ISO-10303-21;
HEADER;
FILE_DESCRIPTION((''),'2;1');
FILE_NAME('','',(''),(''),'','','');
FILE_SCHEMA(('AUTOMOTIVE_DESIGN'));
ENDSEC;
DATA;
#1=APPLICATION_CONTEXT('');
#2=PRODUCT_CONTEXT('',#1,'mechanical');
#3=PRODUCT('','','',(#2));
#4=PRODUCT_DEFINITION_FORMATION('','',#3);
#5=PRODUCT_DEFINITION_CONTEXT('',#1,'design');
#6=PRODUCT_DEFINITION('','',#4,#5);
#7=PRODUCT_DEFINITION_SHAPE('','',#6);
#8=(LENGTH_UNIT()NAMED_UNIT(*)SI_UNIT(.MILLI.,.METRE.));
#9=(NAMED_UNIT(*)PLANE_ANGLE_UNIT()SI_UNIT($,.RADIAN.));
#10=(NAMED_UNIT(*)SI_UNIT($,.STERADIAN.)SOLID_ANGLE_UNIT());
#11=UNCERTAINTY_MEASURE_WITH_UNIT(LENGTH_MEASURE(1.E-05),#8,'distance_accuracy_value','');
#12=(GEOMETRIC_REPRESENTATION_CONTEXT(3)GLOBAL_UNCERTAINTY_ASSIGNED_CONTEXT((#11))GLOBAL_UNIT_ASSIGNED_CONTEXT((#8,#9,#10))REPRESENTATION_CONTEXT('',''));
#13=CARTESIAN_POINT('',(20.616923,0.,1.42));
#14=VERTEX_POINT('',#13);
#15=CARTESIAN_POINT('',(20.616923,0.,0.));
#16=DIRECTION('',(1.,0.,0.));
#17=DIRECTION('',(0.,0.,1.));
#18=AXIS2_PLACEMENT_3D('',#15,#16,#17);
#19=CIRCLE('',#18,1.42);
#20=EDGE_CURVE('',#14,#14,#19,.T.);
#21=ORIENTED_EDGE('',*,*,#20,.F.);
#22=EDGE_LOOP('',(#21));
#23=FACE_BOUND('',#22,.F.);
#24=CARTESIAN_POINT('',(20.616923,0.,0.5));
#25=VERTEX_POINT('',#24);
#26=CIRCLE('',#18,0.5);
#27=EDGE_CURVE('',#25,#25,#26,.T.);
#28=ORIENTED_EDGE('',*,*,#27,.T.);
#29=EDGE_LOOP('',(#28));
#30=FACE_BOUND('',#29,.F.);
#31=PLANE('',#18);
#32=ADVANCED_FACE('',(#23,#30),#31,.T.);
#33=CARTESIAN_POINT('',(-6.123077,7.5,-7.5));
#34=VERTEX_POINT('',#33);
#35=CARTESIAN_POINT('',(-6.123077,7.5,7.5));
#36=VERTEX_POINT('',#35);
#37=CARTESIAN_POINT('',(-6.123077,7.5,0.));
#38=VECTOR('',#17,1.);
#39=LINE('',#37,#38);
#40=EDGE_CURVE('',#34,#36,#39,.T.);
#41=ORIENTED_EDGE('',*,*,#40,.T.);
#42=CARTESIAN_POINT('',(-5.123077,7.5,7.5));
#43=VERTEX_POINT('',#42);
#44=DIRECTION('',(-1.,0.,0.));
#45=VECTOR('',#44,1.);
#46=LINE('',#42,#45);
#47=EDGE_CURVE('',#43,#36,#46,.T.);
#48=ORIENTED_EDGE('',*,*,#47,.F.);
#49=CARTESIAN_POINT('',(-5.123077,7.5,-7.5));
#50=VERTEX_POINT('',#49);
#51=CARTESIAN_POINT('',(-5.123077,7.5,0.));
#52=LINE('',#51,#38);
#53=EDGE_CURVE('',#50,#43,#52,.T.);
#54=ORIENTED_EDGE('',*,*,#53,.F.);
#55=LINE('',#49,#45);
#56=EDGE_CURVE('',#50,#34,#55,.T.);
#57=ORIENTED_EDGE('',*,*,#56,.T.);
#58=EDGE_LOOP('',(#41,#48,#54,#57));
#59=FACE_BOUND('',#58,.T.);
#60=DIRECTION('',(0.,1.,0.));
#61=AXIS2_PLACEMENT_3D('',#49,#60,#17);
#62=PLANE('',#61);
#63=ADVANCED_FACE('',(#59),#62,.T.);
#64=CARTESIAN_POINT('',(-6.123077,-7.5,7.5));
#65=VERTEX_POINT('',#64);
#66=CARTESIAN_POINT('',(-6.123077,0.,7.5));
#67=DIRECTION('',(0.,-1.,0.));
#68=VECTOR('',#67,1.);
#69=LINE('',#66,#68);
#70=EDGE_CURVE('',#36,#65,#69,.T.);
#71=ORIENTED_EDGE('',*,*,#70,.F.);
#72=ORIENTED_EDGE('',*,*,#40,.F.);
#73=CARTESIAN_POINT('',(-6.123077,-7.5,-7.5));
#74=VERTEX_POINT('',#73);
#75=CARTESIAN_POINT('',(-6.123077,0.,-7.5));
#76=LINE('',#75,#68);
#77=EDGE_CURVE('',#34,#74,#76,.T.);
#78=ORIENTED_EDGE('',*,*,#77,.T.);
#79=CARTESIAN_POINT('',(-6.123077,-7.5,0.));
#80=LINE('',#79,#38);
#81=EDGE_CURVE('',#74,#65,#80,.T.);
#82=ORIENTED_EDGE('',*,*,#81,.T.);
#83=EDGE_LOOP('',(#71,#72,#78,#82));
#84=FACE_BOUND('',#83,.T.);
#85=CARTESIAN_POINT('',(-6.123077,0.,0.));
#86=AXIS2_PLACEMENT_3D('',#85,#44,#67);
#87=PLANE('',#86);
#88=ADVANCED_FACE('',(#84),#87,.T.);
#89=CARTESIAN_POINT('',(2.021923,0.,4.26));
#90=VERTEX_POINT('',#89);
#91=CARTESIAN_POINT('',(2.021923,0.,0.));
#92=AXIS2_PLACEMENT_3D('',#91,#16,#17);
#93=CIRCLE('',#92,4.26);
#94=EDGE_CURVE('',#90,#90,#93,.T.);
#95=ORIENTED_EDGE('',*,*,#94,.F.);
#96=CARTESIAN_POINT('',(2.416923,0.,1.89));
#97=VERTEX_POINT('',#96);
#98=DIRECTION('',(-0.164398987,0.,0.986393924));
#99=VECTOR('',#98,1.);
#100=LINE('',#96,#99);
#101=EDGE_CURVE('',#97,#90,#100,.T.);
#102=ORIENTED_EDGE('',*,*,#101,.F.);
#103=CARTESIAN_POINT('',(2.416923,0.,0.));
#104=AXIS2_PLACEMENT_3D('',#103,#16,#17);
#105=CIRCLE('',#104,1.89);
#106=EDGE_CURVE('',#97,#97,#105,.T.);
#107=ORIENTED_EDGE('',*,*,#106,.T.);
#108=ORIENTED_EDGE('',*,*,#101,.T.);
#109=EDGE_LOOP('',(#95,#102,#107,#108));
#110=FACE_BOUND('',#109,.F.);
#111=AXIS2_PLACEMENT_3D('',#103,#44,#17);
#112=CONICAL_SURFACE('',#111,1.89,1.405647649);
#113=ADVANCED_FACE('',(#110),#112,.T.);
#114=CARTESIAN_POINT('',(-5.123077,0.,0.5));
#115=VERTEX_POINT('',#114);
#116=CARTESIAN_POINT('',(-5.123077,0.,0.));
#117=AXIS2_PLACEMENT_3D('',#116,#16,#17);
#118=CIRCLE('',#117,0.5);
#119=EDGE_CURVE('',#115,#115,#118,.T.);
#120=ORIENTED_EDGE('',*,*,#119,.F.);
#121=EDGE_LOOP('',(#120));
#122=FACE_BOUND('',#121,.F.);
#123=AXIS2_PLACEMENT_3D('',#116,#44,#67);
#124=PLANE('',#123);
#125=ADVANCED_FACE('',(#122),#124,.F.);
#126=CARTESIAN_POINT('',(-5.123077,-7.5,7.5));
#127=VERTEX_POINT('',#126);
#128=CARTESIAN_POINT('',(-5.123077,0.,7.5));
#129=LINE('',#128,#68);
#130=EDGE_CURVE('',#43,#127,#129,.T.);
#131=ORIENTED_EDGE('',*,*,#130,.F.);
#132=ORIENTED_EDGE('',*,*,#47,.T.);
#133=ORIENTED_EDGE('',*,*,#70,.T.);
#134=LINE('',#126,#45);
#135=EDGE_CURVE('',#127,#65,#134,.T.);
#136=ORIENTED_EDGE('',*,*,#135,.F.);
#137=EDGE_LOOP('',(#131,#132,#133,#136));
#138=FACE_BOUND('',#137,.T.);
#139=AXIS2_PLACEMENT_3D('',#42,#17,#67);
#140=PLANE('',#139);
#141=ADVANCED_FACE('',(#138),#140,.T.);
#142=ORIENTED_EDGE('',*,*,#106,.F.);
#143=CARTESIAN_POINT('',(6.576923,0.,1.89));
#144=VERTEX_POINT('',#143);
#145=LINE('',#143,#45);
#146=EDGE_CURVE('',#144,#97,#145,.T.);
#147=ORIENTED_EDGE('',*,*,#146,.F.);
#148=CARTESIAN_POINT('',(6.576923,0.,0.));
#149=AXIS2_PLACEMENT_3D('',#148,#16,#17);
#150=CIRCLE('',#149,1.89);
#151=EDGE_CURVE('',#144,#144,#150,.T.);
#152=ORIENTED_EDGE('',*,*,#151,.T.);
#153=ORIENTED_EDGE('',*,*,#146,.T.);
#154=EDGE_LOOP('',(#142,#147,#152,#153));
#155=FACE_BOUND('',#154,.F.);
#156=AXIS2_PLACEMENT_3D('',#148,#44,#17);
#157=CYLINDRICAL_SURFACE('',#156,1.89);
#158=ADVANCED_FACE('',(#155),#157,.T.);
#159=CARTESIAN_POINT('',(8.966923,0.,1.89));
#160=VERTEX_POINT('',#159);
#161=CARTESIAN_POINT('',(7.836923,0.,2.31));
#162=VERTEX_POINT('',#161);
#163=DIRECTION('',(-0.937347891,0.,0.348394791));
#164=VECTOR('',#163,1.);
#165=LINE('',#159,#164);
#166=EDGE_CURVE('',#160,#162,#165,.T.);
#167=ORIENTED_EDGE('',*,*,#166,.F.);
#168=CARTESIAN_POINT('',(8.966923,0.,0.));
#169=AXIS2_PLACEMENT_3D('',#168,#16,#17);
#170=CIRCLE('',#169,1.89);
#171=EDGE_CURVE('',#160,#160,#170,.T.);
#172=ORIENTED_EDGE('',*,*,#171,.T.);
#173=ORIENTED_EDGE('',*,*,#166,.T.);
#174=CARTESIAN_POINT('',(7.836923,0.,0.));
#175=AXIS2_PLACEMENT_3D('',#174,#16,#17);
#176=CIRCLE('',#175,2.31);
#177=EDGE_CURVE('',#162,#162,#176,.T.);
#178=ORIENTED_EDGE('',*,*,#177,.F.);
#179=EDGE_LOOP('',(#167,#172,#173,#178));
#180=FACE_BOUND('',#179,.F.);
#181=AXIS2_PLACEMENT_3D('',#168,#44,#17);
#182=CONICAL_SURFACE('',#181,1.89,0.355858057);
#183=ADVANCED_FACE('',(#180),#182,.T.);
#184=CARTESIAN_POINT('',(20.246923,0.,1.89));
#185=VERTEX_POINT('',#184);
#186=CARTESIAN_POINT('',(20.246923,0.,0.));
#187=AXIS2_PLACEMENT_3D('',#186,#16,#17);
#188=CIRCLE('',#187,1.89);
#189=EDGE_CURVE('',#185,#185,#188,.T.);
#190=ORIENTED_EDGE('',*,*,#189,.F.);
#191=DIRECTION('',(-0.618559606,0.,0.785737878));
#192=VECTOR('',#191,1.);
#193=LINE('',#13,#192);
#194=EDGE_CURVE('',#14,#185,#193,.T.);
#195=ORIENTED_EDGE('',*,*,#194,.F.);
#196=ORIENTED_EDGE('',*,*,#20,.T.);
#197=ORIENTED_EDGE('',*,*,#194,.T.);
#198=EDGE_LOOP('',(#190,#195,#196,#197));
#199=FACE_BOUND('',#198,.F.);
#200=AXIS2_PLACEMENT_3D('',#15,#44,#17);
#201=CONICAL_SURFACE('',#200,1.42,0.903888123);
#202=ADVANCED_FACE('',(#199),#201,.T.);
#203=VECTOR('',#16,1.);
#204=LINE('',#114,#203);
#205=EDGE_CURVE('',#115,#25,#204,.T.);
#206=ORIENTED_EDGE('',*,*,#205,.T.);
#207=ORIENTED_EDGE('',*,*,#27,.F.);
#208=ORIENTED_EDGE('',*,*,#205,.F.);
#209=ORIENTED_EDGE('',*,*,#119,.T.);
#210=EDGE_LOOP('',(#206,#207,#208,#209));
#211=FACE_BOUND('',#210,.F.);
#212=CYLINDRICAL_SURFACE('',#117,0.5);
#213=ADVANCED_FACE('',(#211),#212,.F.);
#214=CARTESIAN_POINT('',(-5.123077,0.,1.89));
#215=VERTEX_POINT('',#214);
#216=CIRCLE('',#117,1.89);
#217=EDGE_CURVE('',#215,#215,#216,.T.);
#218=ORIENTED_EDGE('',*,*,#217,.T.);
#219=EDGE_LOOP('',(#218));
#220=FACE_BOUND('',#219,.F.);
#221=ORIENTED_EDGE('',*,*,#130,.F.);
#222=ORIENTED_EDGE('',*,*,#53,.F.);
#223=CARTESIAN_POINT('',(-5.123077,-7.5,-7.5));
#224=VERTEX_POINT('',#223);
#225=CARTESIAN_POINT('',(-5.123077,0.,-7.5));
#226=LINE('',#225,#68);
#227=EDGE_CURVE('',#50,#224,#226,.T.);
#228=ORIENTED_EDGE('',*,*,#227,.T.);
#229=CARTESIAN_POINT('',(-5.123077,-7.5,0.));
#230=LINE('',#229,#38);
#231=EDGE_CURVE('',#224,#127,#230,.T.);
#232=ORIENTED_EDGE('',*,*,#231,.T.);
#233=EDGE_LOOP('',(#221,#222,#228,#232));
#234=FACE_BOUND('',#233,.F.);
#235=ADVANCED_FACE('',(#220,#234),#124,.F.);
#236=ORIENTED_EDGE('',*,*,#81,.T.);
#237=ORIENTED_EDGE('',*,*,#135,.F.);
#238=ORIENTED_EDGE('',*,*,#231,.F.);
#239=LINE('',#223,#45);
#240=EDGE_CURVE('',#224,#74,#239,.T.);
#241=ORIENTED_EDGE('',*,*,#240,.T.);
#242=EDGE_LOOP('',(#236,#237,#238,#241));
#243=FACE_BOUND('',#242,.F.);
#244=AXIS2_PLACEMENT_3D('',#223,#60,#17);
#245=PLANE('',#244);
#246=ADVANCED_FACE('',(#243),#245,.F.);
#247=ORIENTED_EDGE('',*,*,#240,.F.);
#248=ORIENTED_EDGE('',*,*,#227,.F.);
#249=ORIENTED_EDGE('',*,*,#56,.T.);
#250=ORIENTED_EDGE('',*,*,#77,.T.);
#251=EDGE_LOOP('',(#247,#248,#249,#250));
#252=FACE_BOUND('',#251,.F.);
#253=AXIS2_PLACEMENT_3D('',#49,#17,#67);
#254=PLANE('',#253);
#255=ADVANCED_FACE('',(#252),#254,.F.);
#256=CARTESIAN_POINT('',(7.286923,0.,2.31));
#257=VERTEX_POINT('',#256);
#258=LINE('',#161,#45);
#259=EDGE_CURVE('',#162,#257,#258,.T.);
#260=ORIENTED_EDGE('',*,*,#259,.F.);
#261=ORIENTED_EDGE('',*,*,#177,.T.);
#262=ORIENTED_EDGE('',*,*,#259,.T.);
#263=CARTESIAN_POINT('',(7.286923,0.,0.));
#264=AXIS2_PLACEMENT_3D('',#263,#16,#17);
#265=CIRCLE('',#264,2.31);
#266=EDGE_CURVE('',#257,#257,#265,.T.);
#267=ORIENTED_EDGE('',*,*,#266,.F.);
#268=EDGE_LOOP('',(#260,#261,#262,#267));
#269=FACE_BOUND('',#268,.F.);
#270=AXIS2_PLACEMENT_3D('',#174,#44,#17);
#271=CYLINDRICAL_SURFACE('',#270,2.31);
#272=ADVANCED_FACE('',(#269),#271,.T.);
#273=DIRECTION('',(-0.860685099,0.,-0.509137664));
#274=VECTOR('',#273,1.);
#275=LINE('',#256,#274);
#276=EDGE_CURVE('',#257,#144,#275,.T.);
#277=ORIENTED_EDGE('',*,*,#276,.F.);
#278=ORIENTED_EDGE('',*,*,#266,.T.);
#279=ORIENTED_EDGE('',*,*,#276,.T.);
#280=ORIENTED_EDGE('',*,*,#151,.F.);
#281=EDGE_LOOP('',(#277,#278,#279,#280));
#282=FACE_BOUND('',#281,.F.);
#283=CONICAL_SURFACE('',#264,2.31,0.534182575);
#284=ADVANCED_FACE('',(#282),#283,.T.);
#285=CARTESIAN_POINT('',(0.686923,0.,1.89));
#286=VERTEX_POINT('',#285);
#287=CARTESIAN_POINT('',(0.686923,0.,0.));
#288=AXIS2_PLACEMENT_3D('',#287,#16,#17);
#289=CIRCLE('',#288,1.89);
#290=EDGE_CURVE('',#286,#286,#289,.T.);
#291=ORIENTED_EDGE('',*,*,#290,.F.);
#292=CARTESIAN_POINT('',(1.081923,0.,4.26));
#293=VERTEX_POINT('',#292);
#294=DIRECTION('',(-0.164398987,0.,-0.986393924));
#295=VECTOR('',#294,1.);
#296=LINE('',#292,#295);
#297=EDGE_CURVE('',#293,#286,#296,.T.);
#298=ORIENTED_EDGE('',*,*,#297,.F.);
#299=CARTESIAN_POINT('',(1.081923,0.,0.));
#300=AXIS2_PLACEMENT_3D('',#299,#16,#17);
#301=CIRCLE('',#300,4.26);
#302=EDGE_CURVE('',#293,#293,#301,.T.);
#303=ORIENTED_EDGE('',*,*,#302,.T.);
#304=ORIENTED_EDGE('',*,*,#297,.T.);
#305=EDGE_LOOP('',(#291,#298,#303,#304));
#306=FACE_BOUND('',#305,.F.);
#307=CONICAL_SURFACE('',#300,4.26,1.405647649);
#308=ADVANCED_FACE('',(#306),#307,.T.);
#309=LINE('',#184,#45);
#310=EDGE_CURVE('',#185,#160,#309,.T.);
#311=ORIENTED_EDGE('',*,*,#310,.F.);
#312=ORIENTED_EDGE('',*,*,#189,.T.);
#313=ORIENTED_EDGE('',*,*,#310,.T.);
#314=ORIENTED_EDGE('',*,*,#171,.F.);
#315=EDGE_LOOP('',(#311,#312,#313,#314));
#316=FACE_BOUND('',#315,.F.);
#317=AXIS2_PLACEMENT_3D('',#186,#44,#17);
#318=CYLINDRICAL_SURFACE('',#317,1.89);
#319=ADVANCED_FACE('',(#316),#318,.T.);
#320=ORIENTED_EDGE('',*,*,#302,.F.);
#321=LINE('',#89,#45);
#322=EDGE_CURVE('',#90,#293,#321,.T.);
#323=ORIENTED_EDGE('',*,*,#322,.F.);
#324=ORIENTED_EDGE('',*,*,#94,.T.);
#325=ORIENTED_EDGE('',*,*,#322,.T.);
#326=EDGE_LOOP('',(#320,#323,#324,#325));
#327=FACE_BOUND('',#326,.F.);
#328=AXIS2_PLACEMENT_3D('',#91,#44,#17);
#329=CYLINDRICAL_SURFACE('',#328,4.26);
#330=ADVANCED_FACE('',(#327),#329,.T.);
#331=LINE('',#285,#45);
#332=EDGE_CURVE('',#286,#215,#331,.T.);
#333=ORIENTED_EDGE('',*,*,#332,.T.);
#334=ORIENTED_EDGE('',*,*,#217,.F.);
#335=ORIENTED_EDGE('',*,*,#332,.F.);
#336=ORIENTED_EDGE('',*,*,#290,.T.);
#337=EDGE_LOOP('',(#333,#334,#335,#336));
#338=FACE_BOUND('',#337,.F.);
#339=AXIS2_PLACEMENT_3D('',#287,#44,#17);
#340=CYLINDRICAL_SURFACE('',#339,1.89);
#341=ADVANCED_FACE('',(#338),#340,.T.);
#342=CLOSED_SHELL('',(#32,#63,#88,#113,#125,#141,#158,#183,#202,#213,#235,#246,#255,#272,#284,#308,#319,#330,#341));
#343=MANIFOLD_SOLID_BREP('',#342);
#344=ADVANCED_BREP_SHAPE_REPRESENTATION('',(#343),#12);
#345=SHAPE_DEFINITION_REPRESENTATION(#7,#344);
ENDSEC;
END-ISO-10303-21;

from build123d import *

# Parameters (mm, degrees)
F2_W     = 15
F2_H     = 15
F3_DEPTH = 1


with BuildPart() as f1:
    # F0 (on Front) → F1 (revolve)
    with BuildSketch(Plane.XZ):
        Polygon((-5.123077, 1.89), (-5.123077, 0.5), (20.616923, 0.5), (20.616923, 1.42), (20.246923, 1.89), (8.966923, 1.89), (7.836923, 2.31), (7.286923, 2.31), (6.576923, 1.89), (2.416923, 1.89), (2.021923, 4.26), (1.081923, 4.26), (0.686923, 1.89), (0, 1.89), align=None)
    revolve(axis=Axis((9.142162, 0, 0), (1, 0, 0)))

    # F2 (on face) → F3 (join)
    with BuildSketch(Plane(origin=(-5.123077, 0, 0), x_dir=(0, -1, 0), z_dir=(-1, 0, 0))):
        Rectangle(F2_W, F2_H)
    extrude(amount=F3_DEPTH)


solid = f1.part
